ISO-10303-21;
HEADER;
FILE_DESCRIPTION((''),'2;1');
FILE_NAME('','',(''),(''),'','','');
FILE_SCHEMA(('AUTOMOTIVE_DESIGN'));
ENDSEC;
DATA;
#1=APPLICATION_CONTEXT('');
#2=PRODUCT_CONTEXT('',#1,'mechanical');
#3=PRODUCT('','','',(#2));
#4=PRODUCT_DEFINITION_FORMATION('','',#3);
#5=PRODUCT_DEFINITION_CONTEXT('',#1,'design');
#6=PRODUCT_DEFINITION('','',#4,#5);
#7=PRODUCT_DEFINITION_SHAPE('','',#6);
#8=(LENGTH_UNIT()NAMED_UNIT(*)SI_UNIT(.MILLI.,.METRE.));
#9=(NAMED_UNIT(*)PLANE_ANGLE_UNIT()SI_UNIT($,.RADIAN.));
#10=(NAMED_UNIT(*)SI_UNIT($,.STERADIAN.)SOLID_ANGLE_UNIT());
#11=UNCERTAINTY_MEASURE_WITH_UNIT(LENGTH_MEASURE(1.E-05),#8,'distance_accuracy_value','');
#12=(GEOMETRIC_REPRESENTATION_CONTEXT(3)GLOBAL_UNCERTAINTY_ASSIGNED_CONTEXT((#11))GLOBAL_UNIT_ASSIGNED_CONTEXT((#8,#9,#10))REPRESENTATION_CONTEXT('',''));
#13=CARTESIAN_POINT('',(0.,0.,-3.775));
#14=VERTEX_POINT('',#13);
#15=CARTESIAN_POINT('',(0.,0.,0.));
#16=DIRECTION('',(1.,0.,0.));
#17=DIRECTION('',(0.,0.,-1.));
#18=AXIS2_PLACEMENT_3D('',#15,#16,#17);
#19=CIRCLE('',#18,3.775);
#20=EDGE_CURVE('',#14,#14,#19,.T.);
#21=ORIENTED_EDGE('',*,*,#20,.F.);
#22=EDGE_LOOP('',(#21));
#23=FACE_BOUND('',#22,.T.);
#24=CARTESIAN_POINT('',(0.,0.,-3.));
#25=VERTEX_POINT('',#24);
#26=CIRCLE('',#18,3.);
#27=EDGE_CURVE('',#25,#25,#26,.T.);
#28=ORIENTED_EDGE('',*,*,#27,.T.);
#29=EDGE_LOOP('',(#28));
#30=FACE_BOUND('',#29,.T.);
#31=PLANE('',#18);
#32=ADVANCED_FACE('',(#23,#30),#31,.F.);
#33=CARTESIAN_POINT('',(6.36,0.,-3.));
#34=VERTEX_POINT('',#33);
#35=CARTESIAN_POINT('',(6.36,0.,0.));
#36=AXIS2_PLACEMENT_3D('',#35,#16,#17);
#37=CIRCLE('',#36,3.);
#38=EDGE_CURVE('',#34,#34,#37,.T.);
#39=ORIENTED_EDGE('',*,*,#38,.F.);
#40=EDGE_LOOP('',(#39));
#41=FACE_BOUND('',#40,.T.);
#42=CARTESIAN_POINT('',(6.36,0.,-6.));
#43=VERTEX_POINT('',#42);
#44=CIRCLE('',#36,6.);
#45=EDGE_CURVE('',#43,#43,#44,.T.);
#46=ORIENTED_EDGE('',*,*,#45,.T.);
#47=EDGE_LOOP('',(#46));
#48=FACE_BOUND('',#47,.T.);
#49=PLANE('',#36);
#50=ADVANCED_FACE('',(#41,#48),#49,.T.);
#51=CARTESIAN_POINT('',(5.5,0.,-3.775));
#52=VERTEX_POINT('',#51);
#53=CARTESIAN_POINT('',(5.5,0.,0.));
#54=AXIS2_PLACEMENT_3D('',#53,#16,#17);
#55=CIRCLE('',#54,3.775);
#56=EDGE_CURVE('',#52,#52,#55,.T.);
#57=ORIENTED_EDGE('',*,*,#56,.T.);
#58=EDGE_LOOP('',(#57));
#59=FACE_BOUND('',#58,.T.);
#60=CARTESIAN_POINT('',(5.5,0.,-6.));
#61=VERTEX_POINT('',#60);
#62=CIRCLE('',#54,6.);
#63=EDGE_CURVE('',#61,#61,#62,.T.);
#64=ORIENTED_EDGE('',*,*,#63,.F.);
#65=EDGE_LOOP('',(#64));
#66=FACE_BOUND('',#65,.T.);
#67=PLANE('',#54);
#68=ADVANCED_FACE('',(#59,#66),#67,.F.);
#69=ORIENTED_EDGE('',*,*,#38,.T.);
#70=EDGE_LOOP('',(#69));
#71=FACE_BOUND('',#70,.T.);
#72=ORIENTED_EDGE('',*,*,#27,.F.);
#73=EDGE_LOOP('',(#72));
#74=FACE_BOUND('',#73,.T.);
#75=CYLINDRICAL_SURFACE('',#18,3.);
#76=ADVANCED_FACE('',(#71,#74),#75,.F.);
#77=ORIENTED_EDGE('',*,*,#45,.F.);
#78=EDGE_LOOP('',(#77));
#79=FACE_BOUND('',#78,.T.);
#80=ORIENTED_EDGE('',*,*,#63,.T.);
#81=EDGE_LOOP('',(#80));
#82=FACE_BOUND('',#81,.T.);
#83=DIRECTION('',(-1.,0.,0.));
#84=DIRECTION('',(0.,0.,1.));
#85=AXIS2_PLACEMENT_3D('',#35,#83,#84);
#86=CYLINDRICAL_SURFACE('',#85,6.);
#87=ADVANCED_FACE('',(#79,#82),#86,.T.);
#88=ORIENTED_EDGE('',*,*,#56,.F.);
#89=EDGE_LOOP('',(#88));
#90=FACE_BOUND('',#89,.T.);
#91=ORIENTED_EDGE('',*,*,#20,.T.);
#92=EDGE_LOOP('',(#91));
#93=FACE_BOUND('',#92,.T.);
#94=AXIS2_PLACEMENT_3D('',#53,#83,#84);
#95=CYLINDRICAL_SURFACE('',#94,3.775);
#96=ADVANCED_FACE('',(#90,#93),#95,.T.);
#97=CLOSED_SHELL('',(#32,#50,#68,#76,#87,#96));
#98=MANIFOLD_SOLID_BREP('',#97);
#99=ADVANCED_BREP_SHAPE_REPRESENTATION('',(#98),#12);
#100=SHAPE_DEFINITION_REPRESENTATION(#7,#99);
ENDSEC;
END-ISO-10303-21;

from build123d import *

# Parameters (mm, degrees)
SKETCH_1_R          = 3.775
EXTRUDE_1_DEPTH     = 5.5
SKETCH_2_R          = 6
EXTRUDE_2_DEPTH     = 0.86
SKETCH_3_R          = 3
CUT_EXTRUDE_1_DEPTH = 11.604225573


with BuildPart() as part:
    # Эскиз1 → Бобышка-Вытянуть1 (new body)
    with BuildSketch(Plane(origin=(0, 0, 0), x_dir=(0, 0, -1), z_dir=(1, 0, 0))):
        Circle(SKETCH_1_R)
    extrude(amount=EXTRUDE_1_DEPTH)

    # Эскиз2 → Бобышка-Вытянуть2 (add)
    with BuildSketch(Plane(origin=(5.5, 0, 0), x_dir=(0, 0, -1), z_dir=(1, 0, 0))):
        Circle(SKETCH_2_R)
    extrude(amount=EXTRUDE_2_DEPTH)

    # Эскиз3 → Вырез-Вытянуть1 (cut, through all)
    with BuildSketch(Plane(origin=(6.36, 0, 0), x_dir=(0, 0, -1), z_dir=(1, 0, 0))):
        Circle(SKETCH_3_R)
    extrude(amount=-CUT_EXTRUDE_1_DEPTH, mode=Mode.SUBTRACT)


solid = part.part
